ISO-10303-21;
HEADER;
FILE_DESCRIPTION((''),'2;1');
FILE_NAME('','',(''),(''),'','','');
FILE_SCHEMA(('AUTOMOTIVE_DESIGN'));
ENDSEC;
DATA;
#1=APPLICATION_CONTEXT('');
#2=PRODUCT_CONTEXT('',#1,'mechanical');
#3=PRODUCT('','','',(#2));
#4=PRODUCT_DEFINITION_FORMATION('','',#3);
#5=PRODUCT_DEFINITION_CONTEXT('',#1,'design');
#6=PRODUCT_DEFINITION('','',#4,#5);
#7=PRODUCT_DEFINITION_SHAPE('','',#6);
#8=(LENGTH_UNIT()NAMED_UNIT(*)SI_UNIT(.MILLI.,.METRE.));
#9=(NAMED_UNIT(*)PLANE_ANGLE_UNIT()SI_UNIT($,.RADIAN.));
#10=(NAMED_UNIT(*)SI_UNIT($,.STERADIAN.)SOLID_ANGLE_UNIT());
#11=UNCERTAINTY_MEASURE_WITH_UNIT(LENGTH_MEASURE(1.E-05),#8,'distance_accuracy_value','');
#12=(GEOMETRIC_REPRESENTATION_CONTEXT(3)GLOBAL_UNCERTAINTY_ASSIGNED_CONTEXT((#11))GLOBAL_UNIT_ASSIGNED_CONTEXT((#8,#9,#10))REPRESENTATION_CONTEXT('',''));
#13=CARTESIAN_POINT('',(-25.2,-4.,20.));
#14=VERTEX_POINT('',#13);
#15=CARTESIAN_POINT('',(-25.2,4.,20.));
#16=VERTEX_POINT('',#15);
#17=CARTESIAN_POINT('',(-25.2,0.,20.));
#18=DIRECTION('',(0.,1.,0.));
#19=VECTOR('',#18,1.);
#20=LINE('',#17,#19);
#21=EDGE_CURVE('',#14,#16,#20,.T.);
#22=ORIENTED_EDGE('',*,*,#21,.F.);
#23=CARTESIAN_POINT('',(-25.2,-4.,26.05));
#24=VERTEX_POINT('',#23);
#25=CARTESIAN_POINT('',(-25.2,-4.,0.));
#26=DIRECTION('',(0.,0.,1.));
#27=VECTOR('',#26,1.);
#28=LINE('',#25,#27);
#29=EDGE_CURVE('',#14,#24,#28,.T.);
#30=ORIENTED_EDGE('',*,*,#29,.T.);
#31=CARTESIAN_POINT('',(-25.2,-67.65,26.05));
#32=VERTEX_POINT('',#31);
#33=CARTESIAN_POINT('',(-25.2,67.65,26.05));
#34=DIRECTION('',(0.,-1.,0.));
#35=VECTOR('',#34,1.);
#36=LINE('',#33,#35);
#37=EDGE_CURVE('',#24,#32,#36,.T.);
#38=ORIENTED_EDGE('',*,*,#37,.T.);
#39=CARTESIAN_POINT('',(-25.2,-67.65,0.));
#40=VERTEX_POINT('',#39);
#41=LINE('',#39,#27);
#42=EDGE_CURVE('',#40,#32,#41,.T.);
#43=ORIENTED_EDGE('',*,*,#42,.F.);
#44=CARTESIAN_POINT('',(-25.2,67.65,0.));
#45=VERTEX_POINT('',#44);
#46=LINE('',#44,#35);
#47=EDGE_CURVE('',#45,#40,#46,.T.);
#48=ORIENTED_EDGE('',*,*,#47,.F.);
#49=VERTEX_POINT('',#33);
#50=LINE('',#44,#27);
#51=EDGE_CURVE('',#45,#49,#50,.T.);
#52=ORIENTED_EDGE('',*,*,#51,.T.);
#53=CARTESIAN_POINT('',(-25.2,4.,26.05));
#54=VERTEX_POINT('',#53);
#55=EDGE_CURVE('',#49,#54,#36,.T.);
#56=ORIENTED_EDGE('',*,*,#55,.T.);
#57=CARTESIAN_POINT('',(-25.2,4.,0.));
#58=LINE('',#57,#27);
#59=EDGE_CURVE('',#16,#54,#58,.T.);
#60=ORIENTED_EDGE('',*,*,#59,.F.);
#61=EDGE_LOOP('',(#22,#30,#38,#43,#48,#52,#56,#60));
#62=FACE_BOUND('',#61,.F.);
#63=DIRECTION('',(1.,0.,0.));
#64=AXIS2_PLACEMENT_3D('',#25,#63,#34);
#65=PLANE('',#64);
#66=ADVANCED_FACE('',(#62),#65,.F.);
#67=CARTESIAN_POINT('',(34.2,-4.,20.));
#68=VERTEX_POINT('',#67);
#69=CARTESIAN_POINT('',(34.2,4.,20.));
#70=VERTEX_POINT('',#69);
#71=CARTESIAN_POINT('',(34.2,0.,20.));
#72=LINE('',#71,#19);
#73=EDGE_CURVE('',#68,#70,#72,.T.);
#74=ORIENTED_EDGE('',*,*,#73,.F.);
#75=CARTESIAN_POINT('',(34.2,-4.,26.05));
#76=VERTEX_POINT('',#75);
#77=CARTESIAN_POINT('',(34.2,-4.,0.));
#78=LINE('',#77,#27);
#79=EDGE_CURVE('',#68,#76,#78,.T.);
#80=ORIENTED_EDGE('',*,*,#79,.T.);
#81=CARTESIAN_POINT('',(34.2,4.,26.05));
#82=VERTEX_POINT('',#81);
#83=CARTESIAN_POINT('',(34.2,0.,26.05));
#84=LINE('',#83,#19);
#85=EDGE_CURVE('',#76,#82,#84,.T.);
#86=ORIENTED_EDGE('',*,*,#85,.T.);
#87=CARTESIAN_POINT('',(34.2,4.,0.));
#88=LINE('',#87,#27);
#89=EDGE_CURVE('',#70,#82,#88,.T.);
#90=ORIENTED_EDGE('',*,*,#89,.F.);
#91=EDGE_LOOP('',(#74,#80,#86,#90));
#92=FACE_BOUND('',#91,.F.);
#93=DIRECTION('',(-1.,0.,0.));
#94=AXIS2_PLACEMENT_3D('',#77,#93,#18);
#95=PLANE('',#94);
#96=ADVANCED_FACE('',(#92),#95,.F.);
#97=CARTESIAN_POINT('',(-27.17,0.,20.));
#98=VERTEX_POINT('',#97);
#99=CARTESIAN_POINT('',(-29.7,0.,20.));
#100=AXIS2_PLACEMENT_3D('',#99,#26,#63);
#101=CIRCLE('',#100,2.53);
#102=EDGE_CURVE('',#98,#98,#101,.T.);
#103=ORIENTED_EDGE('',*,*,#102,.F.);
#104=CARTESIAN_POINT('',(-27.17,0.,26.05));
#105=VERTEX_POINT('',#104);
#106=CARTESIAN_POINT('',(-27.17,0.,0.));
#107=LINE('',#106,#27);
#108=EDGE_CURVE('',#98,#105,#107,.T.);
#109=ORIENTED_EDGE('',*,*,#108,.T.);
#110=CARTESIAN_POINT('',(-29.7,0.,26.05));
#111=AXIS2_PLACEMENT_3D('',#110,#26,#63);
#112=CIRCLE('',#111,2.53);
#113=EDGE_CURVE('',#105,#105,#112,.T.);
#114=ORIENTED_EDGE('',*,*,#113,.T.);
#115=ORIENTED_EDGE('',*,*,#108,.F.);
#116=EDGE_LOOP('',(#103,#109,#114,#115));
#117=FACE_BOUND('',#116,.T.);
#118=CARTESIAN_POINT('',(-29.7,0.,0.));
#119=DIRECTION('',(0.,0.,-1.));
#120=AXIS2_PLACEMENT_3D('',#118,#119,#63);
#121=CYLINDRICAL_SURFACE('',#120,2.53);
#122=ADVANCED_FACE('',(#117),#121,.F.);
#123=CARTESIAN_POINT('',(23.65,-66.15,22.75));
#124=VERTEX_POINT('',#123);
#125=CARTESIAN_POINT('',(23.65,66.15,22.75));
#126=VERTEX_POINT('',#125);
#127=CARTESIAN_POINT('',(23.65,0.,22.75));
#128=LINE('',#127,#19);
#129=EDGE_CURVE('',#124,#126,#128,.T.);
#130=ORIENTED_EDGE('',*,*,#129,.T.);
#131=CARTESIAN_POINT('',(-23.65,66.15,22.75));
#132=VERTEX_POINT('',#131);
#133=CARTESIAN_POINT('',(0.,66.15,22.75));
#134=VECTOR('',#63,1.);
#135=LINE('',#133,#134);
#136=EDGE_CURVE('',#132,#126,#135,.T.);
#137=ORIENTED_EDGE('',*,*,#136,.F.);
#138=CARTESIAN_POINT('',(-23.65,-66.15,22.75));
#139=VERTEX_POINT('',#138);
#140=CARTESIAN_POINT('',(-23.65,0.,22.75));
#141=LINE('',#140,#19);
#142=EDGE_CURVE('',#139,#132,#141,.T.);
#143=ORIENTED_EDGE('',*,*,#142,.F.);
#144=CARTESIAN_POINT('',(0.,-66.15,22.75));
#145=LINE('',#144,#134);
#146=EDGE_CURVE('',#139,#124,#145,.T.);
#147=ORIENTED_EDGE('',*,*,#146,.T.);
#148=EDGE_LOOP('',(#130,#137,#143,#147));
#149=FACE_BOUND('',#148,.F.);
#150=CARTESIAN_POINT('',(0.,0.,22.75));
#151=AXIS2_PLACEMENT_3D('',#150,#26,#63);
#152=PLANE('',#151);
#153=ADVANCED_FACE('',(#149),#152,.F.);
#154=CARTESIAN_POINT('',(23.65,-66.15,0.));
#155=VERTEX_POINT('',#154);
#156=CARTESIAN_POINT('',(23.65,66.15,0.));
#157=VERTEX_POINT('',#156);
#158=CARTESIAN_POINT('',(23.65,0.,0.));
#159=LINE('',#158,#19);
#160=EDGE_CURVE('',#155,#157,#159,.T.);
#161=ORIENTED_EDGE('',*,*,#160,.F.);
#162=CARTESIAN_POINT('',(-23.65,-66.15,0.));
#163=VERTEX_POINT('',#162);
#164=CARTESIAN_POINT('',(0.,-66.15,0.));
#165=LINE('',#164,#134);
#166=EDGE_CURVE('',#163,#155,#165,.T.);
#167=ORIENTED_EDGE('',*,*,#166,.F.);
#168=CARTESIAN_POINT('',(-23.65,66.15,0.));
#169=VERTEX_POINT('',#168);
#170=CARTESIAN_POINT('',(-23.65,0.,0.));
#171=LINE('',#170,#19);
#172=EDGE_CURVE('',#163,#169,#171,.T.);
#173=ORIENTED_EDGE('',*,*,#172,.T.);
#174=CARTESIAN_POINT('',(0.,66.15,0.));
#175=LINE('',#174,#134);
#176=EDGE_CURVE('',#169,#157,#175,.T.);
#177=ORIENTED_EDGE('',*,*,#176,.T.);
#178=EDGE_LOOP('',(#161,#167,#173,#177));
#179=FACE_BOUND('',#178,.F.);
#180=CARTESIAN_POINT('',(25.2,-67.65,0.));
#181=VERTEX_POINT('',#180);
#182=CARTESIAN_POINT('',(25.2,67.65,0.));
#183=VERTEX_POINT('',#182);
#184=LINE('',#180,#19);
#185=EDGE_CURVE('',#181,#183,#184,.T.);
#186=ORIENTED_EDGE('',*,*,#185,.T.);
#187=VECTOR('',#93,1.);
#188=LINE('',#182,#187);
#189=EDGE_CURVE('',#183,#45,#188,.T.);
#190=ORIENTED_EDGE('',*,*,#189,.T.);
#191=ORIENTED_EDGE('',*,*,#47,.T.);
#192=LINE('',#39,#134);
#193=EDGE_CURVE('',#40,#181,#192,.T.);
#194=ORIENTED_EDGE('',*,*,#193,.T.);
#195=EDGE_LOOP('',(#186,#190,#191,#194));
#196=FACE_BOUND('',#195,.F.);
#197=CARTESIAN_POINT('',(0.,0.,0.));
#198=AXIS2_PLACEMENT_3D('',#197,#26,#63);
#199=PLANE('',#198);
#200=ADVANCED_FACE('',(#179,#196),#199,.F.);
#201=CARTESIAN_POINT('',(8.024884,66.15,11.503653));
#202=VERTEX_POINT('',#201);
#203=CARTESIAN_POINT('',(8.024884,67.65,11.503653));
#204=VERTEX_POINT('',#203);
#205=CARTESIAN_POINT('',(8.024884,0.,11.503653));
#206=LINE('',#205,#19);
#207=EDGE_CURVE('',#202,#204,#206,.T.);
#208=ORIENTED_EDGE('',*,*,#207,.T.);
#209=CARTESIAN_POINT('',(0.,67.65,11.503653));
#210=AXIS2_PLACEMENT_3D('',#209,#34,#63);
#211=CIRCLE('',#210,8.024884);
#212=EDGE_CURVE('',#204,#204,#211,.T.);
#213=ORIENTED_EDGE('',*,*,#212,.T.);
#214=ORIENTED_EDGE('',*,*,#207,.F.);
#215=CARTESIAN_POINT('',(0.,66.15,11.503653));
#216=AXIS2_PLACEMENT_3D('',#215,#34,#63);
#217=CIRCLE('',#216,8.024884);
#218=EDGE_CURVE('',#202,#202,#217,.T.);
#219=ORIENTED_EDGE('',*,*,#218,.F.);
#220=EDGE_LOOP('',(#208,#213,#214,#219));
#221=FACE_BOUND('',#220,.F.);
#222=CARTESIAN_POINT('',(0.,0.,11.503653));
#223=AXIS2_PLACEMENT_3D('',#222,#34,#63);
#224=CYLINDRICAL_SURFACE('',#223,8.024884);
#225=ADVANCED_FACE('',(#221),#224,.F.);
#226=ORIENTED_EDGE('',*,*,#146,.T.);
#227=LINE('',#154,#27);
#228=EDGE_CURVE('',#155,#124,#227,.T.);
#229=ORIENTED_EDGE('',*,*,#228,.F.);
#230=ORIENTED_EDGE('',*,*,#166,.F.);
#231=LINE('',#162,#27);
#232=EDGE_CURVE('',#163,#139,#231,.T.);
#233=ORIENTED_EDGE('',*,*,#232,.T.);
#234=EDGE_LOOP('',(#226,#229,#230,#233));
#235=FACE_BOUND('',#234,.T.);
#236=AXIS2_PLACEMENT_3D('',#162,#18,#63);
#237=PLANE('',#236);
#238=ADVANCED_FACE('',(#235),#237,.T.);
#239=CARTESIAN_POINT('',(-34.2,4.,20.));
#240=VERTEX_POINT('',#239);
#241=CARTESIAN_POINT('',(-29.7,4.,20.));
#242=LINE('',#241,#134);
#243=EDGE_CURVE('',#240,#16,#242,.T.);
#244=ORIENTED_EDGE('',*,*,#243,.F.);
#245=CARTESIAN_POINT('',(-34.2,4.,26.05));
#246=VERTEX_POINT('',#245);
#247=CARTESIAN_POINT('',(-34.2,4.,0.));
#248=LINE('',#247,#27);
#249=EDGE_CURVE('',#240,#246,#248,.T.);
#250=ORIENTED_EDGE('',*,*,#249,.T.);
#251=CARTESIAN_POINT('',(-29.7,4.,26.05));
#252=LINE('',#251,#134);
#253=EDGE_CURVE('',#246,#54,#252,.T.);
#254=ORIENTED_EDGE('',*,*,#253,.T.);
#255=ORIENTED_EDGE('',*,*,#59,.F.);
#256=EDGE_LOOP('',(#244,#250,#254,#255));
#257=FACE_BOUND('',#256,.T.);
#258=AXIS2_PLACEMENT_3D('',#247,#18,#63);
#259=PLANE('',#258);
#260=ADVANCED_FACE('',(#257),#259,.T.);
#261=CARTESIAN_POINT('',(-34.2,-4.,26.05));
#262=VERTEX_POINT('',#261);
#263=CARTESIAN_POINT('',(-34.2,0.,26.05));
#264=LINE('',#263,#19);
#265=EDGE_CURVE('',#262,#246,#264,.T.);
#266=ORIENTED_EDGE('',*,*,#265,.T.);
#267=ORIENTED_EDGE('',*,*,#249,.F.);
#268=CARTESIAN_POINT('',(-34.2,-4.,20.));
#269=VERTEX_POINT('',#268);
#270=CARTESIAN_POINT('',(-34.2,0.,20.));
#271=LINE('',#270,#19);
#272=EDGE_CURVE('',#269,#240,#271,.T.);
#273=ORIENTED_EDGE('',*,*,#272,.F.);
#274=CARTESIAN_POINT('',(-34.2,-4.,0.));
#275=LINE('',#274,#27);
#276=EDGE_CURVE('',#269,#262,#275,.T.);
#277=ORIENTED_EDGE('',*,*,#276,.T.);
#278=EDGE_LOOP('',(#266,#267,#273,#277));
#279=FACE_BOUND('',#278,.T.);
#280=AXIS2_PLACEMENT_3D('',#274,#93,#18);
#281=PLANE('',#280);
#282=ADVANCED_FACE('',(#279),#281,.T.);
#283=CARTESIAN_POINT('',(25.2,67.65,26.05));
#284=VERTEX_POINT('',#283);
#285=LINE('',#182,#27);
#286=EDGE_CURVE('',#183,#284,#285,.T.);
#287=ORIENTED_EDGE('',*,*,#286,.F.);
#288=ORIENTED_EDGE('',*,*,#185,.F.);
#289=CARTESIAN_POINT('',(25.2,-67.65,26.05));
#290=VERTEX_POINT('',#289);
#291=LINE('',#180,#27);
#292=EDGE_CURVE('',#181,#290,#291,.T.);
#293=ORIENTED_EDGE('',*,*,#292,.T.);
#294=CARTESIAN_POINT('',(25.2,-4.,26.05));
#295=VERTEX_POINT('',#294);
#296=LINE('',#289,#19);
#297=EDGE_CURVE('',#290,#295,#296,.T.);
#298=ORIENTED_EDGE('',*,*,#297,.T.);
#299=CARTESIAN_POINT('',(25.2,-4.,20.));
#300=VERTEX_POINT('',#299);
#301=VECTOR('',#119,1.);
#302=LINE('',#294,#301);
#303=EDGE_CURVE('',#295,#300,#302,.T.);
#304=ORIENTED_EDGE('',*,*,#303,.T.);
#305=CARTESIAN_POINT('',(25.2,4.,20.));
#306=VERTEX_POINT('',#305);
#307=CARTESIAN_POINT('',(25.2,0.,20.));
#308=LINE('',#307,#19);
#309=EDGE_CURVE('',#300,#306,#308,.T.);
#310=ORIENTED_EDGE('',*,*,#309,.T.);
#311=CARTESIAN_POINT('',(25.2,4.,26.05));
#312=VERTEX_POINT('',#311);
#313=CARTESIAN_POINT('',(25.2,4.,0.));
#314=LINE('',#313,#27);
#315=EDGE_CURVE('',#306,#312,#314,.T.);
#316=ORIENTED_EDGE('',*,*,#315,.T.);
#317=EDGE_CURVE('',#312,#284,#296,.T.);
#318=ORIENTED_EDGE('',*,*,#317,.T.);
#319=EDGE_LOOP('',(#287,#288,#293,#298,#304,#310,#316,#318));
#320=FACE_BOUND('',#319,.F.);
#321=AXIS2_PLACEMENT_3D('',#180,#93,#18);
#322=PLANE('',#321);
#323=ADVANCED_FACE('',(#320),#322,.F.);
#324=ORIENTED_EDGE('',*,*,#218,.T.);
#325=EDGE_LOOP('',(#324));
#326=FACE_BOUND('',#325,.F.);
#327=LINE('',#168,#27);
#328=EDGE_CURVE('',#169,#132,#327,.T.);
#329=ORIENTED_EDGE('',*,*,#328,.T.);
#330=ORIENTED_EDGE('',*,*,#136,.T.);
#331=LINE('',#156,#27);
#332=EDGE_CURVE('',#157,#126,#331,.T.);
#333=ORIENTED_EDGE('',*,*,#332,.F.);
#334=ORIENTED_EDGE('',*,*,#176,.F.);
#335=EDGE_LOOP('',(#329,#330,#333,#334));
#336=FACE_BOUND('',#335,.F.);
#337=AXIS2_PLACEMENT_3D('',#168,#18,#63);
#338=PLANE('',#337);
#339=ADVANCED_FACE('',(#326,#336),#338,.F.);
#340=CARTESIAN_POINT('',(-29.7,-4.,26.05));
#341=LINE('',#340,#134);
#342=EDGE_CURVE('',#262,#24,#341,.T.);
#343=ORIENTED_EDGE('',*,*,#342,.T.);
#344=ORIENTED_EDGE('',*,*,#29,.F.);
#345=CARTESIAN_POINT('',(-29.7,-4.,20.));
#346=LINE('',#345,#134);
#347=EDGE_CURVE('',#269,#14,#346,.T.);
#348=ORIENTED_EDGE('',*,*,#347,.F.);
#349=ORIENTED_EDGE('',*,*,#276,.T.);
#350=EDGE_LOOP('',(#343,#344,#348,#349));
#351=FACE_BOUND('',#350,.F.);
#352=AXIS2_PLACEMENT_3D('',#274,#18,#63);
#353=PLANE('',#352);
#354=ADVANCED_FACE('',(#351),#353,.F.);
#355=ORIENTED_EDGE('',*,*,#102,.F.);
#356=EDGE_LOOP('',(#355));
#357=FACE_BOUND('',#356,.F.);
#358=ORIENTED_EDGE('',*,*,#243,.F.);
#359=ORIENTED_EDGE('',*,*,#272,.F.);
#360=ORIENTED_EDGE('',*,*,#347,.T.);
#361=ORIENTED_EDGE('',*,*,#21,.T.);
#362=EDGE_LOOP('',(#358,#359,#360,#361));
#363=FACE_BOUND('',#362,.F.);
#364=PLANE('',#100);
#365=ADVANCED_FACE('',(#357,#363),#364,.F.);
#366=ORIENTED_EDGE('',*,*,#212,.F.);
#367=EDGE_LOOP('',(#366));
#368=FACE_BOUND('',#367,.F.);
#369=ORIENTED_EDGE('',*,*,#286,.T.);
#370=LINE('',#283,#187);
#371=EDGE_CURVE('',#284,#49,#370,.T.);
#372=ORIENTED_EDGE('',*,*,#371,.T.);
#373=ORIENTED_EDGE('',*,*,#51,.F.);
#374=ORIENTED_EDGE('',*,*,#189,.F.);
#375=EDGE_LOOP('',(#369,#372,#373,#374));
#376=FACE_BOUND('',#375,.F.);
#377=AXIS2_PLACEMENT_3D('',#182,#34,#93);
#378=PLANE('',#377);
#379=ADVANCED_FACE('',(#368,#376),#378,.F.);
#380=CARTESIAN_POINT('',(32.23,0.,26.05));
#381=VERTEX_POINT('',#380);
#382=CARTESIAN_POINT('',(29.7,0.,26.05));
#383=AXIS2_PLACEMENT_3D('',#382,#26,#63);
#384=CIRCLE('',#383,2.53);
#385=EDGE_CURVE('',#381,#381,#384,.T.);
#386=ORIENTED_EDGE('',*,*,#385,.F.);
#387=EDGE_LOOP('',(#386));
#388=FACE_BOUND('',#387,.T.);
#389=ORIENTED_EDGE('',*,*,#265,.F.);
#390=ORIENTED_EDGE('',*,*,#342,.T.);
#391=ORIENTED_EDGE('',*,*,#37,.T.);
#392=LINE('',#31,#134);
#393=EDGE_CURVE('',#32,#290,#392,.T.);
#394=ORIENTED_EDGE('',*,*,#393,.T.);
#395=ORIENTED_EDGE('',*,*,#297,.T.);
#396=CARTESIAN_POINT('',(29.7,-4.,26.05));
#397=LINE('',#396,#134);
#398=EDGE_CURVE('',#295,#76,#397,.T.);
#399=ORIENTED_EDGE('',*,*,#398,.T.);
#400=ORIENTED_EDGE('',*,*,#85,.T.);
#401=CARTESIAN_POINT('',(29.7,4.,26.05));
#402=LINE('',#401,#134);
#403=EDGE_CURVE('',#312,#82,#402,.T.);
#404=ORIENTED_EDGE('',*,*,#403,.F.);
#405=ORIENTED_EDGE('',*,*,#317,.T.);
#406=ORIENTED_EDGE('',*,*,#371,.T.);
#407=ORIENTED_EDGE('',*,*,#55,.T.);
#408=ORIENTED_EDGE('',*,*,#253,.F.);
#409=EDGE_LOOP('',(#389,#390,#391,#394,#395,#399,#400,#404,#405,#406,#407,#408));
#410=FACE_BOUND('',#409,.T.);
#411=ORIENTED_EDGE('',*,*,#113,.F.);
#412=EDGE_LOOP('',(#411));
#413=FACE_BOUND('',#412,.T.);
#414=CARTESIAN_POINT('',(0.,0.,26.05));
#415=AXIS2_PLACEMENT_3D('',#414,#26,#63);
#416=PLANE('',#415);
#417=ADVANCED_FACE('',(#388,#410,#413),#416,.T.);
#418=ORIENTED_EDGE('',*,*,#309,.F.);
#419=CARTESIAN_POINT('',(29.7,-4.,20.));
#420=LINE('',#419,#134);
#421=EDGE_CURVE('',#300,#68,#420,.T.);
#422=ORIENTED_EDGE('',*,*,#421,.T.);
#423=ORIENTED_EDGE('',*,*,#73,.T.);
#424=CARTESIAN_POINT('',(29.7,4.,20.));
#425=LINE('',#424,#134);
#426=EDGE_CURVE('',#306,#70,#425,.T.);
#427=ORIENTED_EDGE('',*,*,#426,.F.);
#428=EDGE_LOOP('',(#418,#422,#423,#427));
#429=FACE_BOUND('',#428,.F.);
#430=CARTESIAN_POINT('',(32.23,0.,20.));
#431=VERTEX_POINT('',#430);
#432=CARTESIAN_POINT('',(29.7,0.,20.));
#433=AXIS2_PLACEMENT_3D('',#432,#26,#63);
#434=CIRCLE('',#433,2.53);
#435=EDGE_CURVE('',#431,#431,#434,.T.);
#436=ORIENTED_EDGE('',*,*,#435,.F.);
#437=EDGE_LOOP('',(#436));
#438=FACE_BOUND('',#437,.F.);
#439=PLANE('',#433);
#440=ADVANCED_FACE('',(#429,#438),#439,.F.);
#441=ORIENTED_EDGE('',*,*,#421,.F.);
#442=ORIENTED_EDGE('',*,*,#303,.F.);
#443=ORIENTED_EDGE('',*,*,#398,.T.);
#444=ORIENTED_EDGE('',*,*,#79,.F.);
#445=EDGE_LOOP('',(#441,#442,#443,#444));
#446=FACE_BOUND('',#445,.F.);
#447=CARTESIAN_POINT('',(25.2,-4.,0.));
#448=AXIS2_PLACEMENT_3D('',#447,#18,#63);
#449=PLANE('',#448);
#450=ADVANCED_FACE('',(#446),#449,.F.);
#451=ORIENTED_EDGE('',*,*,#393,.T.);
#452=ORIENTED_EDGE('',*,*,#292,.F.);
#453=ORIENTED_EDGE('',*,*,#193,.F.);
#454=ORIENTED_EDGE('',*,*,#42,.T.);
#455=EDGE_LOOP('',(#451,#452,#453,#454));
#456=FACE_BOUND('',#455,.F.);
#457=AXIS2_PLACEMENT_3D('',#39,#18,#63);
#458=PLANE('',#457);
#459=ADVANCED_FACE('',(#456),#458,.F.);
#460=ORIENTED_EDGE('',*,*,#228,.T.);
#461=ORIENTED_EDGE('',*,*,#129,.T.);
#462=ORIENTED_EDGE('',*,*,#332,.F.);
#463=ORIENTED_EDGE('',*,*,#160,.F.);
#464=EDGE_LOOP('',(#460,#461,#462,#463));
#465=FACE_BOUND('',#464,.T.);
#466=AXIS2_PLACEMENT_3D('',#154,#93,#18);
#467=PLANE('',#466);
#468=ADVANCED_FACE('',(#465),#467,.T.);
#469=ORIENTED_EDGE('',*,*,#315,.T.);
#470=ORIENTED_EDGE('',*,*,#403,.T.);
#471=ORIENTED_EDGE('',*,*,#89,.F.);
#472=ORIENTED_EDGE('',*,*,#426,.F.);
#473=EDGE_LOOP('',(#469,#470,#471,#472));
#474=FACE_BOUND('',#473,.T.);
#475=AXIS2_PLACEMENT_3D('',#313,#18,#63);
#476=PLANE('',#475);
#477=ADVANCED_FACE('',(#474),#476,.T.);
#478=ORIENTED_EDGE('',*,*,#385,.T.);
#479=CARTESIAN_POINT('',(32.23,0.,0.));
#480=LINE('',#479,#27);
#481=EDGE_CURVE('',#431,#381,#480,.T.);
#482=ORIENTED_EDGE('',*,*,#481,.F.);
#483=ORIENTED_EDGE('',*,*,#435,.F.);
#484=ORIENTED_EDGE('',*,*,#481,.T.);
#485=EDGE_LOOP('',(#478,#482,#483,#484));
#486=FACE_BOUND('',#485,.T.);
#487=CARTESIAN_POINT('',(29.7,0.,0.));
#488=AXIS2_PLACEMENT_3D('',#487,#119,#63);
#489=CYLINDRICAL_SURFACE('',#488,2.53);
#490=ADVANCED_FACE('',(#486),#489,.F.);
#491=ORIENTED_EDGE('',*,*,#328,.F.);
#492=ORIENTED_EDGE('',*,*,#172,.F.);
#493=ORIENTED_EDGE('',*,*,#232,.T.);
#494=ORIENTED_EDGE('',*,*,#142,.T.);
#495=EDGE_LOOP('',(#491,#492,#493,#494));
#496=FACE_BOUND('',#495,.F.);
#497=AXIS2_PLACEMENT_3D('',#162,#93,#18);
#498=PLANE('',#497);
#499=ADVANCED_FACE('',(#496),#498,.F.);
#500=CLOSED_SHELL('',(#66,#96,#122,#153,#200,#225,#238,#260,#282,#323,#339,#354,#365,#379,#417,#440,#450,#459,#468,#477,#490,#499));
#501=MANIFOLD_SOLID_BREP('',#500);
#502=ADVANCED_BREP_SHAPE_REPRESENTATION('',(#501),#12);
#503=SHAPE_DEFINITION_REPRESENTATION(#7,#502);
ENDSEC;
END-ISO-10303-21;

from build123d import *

# Parameters (mm, degrees)
F0_W     = 9
F0_H     = 8
F0_R     = 2.53
F1_DEPTH = 26.05
F2_W     = 47.3
F2_H     = 132.3
F3_DEPTH = 22.75
F4_DEPTH = 15
F5_DEPTH = 20
F6_DEPTH = 20
F7_R     = 8.024884
F8_DEPTH = 100


with BuildPart() as f1:
    # F0 (on Top) → F1 (new body)
    with BuildSketch(Plane.XY):
        Polygon((-25.2, -67.65), (25.2, -67.65), (25.2, -12.552832), (25.2, -4), (25.2, 4), (25.2, 67.65), (-25.2, 67.65), (-25.2, 4), (-25.2, -4), align=None)
        with Locations((-29.7, 0)):
            Rectangle(F0_W, F0_H)
        with Locations((-29.7, 0)):
            Circle(F0_R, mode=Mode.SUBTRACT)
        with Locations((29.7, 0)):
            Rectangle(F0_W, F0_H)
        with Locations((29.7, 0)):
            Circle(F0_R, mode=Mode.SUBTRACT)
    extrude(amount=F1_DEPTH)

    # F2 (on Top) → F3 (cut)
    with BuildSketch(Plane.XY):
        Rectangle(F2_W, F2_H)
    extrude(amount=F3_DEPTH, mode=Mode.SUBTRACT)

    # F0 (on Top) → F4 (join)
    with BuildSketch(Plane.XY):
        with Locations((29.7, 0)):
            Rectangle(F0_W, F0_H)
        with Locations((29.7, 0)):
            Circle(F0_R, mode=Mode.SUBTRACT)
    extrude(amount=F4_DEPTH)

    # F0 (on Top) → F5 (cut)
    with BuildSketch(Plane.XY):
        with Locations((29.7, 0)):
            Rectangle(F0_W, F0_H)
        with Locations((29.7, 0)):
            Circle(F0_R, mode=Mode.SUBTRACT)
    extrude(amount=F5_DEPTH, mode=Mode.SUBTRACT)

    # F0 (on Top) → F6 (cut)
    with BuildSketch(Plane.XY):
        with Locations((-29.7, 0)):
            Rectangle(F0_W, F0_H)
        with Locations((-29.7, 0)):
            Circle(F0_R, mode=Mode.SUBTRACT)
    extrude(amount=F6_DEPTH, mode=Mode.SUBTRACT)

    # F7 (on Front) → F8 (cut)
    with BuildSketch(Plane.XZ):
        with Locations((0, 11.503653)):
            Circle(F7_R)
    extrude(amount=-F8_DEPTH, mode=Mode.SUBTRACT)


solid = f1.part
